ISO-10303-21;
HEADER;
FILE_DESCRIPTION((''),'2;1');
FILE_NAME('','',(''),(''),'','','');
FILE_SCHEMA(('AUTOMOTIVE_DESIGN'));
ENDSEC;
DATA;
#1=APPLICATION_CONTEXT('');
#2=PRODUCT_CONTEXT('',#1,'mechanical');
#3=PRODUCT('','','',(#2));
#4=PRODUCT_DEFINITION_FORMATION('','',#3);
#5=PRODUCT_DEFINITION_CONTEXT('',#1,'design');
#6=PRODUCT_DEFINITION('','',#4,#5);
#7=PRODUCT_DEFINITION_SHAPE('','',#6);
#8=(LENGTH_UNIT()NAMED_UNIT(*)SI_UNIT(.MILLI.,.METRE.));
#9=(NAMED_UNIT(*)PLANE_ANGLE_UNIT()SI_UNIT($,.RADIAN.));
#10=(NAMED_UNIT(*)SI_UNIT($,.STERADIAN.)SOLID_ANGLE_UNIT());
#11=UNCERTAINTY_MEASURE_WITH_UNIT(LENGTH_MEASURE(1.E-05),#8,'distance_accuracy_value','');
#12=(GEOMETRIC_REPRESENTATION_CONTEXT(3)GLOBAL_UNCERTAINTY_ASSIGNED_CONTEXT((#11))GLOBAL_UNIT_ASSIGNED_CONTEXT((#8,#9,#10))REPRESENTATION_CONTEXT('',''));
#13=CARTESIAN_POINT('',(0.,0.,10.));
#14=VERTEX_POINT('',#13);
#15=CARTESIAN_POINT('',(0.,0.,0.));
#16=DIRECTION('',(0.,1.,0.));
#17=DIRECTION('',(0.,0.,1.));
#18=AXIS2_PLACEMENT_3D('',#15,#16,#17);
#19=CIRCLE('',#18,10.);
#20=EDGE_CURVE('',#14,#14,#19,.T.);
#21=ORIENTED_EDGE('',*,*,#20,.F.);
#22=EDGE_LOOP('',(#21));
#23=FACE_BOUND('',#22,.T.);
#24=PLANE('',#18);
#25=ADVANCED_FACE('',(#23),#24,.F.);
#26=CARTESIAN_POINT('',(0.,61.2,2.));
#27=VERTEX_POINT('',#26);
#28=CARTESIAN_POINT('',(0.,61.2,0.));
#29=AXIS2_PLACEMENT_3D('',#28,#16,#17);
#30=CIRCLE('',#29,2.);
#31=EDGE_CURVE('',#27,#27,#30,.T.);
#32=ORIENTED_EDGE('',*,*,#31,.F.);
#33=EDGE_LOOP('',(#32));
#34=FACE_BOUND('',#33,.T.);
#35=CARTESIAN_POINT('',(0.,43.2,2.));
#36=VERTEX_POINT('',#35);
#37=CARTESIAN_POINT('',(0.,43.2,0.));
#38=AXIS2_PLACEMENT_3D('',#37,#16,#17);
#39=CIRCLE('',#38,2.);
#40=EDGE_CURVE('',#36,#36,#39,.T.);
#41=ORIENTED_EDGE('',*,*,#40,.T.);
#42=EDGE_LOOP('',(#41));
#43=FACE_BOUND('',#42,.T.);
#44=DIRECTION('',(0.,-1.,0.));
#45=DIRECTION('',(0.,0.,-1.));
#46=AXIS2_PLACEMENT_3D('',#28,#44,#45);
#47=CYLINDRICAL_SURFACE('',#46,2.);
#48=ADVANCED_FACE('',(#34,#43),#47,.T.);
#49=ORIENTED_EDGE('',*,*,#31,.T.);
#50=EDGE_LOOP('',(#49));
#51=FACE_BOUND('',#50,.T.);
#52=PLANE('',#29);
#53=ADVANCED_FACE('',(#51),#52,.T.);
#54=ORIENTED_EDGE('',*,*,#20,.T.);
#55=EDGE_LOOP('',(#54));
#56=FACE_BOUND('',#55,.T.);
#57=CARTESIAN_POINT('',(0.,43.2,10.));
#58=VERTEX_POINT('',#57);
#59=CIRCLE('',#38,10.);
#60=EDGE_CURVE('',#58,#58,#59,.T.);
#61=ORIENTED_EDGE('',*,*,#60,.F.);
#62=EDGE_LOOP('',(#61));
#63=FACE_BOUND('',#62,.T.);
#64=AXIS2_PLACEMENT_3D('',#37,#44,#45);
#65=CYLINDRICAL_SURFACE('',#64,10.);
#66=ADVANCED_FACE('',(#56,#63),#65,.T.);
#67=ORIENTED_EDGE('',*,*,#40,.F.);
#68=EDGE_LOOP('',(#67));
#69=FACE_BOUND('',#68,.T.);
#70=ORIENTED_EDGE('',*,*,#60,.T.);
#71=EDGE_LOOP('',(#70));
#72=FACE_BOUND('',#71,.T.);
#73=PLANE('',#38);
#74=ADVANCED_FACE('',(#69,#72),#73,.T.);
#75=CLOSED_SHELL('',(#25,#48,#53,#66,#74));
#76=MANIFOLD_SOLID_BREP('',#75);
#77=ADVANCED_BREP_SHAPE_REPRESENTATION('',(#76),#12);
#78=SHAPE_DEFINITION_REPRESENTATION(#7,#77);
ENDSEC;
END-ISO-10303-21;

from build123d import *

# Parameters (mm, degrees)
SKETCH1_R           = 10
BOSS_EXTRUDE1_DEPTH = 43.2
SKETCH2_R           = 2
BOSS_EXTRUDE2_DEPTH = 18


with BuildPart() as part:
    # Sketch1 → Boss-Extrude1 (new body)
    with BuildSketch(Plane(origin=(0, 0, 0), x_dir=(1, 0, 0), z_dir=(0, 1, 0))):
        Circle(SKETCH1_R)
    extrude(amount=BOSS_EXTRUDE1_DEPTH)

    # Sketch2 → Boss-Extrude2 (add)
    with BuildSketch(Plane(origin=(0, 43.2, 0), x_dir=(1, 0, 0), z_dir=(0, 1, 0))):
        Circle(SKETCH2_R)
    extrude(amount=BOSS_EXTRUDE2_DEPTH)


solid = part.part
